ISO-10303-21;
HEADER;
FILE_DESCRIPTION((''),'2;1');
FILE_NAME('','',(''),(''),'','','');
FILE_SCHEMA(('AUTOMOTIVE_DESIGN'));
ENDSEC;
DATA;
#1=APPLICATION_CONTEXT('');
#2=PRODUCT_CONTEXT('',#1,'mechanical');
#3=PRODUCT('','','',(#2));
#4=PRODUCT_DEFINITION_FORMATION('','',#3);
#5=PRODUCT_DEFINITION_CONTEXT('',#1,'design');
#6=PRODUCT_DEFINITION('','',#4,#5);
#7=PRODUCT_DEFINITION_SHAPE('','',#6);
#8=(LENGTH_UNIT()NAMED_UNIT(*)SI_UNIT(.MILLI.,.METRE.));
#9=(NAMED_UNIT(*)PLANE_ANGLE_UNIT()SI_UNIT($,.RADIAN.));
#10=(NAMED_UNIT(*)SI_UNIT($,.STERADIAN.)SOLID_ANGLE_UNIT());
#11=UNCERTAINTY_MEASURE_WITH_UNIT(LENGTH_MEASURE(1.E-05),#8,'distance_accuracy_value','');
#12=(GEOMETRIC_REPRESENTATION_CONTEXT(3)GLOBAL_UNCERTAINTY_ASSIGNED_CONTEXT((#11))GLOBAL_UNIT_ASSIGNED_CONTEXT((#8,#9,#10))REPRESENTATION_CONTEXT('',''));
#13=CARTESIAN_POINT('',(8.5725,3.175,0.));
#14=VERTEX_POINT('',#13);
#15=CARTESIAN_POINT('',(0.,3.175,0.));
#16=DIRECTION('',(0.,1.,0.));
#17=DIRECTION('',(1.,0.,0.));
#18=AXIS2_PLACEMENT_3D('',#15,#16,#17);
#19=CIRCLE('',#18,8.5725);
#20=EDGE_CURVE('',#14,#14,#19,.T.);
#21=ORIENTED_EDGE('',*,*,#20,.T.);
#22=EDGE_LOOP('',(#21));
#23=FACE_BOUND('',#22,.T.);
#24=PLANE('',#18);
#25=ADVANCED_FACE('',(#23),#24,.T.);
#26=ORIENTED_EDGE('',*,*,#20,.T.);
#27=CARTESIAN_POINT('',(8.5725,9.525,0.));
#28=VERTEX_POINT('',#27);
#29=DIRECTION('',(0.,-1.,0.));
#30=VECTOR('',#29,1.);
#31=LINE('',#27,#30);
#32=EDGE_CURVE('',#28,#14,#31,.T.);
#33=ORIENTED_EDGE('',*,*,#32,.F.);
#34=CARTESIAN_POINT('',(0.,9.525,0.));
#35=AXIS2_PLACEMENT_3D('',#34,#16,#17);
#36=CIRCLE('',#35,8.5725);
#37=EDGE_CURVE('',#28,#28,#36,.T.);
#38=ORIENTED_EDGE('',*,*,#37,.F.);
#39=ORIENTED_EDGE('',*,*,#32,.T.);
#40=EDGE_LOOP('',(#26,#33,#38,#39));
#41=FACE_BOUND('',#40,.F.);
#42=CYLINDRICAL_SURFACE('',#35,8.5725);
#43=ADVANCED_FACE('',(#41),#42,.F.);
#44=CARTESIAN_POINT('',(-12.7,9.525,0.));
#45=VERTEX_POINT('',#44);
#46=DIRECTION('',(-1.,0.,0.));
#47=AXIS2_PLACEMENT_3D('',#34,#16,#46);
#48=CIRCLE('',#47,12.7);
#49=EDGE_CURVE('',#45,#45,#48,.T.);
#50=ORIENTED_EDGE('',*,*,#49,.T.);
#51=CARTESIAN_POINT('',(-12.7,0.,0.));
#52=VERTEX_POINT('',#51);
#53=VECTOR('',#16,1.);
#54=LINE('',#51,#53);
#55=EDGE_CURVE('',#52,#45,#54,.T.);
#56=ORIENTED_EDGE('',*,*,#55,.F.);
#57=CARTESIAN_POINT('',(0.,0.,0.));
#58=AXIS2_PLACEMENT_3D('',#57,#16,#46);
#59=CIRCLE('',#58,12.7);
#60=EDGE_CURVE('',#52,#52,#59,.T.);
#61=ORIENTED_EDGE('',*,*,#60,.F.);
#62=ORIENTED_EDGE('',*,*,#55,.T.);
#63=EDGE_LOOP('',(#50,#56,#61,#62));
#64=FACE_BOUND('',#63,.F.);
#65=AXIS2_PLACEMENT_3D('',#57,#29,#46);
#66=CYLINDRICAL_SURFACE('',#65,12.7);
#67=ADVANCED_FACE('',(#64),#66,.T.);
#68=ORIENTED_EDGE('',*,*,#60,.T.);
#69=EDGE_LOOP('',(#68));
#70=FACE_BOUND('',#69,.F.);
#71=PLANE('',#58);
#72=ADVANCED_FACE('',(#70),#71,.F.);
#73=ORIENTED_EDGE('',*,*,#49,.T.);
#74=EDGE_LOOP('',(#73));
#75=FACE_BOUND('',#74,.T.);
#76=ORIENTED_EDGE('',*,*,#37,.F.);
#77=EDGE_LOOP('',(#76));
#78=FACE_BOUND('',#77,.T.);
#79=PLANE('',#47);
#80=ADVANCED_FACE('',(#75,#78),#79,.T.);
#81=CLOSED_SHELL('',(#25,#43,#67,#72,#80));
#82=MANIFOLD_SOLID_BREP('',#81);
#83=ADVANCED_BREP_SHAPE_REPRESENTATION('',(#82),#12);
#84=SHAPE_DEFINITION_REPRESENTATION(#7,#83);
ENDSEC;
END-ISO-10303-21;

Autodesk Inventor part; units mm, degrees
ref_plane "YZ Plane" through (0, 0, 0) normal (1, 0, 0) x (0, 1, 0)
ref_plane "XZ Plane" through (0, 0, 0) normal (0, 1, 0) x (-1, 0, 0)
ref_plane "XY Plane" through (0, 0, 0) normal (0, 0, 1) x (1, 0, 0)
sketch "Sketch1" plane through (0, 0, 0) normal (0, 1, 0) x (-1, 0, 0)
  circle A0 centre (0, 0) radius 12.7
  dimension "d0" = 25.4
extrude "Extrusion1" add sketch "Sketch1" along normal blind 9.525
sketch "Sketch2" plane through (0, 9.525, 0) normal (0, 1, 0) x (1, 0, 0)
  circle A0 centre (0, 0) radius 8.5725
  dimension "d3" = 17.145
extrude "Extrusion2" cut sketch "Sketch2" against normal blind 6.35
sketch "Sketch3" plane through (0, 3.175, 0) normal (0, 1, 0) x (1, 0, 0)
  circle A0 centre (0, 0) radius 3.175
  dimension "d6" = 6.35
sketch "Sketch5" plane through (0, 9.525, 0) normal (1, 0, 0) x (0, 0, 1)
  line L0 (3.175, 0) -> (3.175, 12.7)
  line L1 (3.175, 12.7) -> (2.2333, 12.7)
  line L2 (2.2333, 12.7) -> (2.2333, 0)
  line L3 (2.2333, 0) -> (3.175, 0)
  line L4 (0, -4.2019) -> (0, 15.517) projected
sketch "Sketch6" plane through (0, 9.525, 0) normal (1, 0, 0) x (0, 0, 1)
  line L0 (3.175, 0) -> (3.175, 12.7)
  line L1 (3.175, 12.7) -> (2.2333, 12.7)
  line L2 (2.2333, 12.7) -> (2.2333, 0)
  line L3 (2.2333, 0) -> (3.175, 0)
  line L4 (0, -4.2019) -> (0, 15.517) projected
sketch "Sketch4" plane through (0, 9.525, 0) normal (-1, 0, 0) x (0, -1, 0)
  line L0 (-0.7409, -2.2977) -> (-0.6351, -2.2977) construction
  line L1 (0.1057, -3.1109) -> (-0.0001, -3.3143) construction
  line L2 (-1.2701, -3.3143) -> (-1.3759, -3.1109) construction
  line L3 (-0.5293, -2.2977) -> (-0.6351, -2.0944) construction
  line L4 (-0.6351, -2.0944) -> (-0.7409, -2.2977) construction
  line L5 (-1.2701, -3.3143) -> (-1.1643, -3.1109) construction
  line L6 (-0.5293, -2.2977) -> (-0.1059, -3.1109)
  line L7 (-1.3759, -3.1109) -> (-1.1643, -3.1109) construction
  arc A0 (-1.3759, -3.1109) -> (-1.2701, -3.1752) centre (-1.2701, -3.0559) ccw construction
  line L8 (0.1057, -3.1109) -> (-0.1059, -3.1109) construction
  line L9 (-1.2701, -3.3143) -> (-1.2701, -3.1109) construction
  line L10 (-0.0001, -3.3143) -> (-0.0001, -3.1109) construction
  line L11 (-0.6351, -2.0944) -> (-0.6351, -2.2335) construction
  line L12 (-1.2701, -3.1752) -> (-0.0001, -3.1752)
  arc A1 (-1.2701, -3.1752) -> (-1.1643, -3.1109) centre (-1.2701, -3.0559) ccw
  line L13 (-0.1059, -3.1109) -> (-0.0001, -3.3143) construction
  line L14 (-1.1643, -3.1109) -> (-0.7409, -2.2977)
  line L15 (-0.0001, -0.0002) -> (-0.0001, 0.0177)
  line L16 (-0.0001, 0.0177) -> (-0.0001, -0.0002)
  line L17 (-0.0001, -0.0002) -> (0.0334, -0.0002)
  arc A2 (-0.1059, -3.1109) -> (-0.0001, -3.1752) centre (-0.0001, -3.0559) ccw
  arc A3 (-0.0001, -3.1752) -> (0.1057, -3.1109) centre (-0.0001, -3.0559) ccw construction
  arc A4 (-0.6351, -2.2335) -> (-0.7409, -2.2977) centre (-0.6351, -2.3528) ccw
  arc A5 (-0.5293, -2.2977) -> (-0.6351, -2.2335) centre (-0.6351, -2.3528) ccw
  line L18 (-0.6351, -2.2335) -> (-0.6351, -2.2977) construction
  line L19 (-0.6351, -2.2977) -> (-0.5293, -2.2977) construction
  dimension "d11" = 55
  dimension "d12" = 0.2033
  dimension "d13" = 0.2033
  dimension "Sketch4_ThreadOffset" = 0
  dimension "Sketch4_MajorRadius" = 3.175
  dimension "d16" = 1.27
  dimension "Sketch4_MinorRadius" = 2.2333
equation "\"d11\" = d18"
equation "\"d12\" = 0.160083 * Sketch4_Pitch"
equation "\"d13\" = 0.160083 * Sketch4_Pitch"
equation "\"d16\" = Sketch4_Pitch"
equation "\"d18\" = 55deg"
equation "\"Sketch4_Pitch\" = 1.27"
properties part number "piston clamp adapter nothreads"
